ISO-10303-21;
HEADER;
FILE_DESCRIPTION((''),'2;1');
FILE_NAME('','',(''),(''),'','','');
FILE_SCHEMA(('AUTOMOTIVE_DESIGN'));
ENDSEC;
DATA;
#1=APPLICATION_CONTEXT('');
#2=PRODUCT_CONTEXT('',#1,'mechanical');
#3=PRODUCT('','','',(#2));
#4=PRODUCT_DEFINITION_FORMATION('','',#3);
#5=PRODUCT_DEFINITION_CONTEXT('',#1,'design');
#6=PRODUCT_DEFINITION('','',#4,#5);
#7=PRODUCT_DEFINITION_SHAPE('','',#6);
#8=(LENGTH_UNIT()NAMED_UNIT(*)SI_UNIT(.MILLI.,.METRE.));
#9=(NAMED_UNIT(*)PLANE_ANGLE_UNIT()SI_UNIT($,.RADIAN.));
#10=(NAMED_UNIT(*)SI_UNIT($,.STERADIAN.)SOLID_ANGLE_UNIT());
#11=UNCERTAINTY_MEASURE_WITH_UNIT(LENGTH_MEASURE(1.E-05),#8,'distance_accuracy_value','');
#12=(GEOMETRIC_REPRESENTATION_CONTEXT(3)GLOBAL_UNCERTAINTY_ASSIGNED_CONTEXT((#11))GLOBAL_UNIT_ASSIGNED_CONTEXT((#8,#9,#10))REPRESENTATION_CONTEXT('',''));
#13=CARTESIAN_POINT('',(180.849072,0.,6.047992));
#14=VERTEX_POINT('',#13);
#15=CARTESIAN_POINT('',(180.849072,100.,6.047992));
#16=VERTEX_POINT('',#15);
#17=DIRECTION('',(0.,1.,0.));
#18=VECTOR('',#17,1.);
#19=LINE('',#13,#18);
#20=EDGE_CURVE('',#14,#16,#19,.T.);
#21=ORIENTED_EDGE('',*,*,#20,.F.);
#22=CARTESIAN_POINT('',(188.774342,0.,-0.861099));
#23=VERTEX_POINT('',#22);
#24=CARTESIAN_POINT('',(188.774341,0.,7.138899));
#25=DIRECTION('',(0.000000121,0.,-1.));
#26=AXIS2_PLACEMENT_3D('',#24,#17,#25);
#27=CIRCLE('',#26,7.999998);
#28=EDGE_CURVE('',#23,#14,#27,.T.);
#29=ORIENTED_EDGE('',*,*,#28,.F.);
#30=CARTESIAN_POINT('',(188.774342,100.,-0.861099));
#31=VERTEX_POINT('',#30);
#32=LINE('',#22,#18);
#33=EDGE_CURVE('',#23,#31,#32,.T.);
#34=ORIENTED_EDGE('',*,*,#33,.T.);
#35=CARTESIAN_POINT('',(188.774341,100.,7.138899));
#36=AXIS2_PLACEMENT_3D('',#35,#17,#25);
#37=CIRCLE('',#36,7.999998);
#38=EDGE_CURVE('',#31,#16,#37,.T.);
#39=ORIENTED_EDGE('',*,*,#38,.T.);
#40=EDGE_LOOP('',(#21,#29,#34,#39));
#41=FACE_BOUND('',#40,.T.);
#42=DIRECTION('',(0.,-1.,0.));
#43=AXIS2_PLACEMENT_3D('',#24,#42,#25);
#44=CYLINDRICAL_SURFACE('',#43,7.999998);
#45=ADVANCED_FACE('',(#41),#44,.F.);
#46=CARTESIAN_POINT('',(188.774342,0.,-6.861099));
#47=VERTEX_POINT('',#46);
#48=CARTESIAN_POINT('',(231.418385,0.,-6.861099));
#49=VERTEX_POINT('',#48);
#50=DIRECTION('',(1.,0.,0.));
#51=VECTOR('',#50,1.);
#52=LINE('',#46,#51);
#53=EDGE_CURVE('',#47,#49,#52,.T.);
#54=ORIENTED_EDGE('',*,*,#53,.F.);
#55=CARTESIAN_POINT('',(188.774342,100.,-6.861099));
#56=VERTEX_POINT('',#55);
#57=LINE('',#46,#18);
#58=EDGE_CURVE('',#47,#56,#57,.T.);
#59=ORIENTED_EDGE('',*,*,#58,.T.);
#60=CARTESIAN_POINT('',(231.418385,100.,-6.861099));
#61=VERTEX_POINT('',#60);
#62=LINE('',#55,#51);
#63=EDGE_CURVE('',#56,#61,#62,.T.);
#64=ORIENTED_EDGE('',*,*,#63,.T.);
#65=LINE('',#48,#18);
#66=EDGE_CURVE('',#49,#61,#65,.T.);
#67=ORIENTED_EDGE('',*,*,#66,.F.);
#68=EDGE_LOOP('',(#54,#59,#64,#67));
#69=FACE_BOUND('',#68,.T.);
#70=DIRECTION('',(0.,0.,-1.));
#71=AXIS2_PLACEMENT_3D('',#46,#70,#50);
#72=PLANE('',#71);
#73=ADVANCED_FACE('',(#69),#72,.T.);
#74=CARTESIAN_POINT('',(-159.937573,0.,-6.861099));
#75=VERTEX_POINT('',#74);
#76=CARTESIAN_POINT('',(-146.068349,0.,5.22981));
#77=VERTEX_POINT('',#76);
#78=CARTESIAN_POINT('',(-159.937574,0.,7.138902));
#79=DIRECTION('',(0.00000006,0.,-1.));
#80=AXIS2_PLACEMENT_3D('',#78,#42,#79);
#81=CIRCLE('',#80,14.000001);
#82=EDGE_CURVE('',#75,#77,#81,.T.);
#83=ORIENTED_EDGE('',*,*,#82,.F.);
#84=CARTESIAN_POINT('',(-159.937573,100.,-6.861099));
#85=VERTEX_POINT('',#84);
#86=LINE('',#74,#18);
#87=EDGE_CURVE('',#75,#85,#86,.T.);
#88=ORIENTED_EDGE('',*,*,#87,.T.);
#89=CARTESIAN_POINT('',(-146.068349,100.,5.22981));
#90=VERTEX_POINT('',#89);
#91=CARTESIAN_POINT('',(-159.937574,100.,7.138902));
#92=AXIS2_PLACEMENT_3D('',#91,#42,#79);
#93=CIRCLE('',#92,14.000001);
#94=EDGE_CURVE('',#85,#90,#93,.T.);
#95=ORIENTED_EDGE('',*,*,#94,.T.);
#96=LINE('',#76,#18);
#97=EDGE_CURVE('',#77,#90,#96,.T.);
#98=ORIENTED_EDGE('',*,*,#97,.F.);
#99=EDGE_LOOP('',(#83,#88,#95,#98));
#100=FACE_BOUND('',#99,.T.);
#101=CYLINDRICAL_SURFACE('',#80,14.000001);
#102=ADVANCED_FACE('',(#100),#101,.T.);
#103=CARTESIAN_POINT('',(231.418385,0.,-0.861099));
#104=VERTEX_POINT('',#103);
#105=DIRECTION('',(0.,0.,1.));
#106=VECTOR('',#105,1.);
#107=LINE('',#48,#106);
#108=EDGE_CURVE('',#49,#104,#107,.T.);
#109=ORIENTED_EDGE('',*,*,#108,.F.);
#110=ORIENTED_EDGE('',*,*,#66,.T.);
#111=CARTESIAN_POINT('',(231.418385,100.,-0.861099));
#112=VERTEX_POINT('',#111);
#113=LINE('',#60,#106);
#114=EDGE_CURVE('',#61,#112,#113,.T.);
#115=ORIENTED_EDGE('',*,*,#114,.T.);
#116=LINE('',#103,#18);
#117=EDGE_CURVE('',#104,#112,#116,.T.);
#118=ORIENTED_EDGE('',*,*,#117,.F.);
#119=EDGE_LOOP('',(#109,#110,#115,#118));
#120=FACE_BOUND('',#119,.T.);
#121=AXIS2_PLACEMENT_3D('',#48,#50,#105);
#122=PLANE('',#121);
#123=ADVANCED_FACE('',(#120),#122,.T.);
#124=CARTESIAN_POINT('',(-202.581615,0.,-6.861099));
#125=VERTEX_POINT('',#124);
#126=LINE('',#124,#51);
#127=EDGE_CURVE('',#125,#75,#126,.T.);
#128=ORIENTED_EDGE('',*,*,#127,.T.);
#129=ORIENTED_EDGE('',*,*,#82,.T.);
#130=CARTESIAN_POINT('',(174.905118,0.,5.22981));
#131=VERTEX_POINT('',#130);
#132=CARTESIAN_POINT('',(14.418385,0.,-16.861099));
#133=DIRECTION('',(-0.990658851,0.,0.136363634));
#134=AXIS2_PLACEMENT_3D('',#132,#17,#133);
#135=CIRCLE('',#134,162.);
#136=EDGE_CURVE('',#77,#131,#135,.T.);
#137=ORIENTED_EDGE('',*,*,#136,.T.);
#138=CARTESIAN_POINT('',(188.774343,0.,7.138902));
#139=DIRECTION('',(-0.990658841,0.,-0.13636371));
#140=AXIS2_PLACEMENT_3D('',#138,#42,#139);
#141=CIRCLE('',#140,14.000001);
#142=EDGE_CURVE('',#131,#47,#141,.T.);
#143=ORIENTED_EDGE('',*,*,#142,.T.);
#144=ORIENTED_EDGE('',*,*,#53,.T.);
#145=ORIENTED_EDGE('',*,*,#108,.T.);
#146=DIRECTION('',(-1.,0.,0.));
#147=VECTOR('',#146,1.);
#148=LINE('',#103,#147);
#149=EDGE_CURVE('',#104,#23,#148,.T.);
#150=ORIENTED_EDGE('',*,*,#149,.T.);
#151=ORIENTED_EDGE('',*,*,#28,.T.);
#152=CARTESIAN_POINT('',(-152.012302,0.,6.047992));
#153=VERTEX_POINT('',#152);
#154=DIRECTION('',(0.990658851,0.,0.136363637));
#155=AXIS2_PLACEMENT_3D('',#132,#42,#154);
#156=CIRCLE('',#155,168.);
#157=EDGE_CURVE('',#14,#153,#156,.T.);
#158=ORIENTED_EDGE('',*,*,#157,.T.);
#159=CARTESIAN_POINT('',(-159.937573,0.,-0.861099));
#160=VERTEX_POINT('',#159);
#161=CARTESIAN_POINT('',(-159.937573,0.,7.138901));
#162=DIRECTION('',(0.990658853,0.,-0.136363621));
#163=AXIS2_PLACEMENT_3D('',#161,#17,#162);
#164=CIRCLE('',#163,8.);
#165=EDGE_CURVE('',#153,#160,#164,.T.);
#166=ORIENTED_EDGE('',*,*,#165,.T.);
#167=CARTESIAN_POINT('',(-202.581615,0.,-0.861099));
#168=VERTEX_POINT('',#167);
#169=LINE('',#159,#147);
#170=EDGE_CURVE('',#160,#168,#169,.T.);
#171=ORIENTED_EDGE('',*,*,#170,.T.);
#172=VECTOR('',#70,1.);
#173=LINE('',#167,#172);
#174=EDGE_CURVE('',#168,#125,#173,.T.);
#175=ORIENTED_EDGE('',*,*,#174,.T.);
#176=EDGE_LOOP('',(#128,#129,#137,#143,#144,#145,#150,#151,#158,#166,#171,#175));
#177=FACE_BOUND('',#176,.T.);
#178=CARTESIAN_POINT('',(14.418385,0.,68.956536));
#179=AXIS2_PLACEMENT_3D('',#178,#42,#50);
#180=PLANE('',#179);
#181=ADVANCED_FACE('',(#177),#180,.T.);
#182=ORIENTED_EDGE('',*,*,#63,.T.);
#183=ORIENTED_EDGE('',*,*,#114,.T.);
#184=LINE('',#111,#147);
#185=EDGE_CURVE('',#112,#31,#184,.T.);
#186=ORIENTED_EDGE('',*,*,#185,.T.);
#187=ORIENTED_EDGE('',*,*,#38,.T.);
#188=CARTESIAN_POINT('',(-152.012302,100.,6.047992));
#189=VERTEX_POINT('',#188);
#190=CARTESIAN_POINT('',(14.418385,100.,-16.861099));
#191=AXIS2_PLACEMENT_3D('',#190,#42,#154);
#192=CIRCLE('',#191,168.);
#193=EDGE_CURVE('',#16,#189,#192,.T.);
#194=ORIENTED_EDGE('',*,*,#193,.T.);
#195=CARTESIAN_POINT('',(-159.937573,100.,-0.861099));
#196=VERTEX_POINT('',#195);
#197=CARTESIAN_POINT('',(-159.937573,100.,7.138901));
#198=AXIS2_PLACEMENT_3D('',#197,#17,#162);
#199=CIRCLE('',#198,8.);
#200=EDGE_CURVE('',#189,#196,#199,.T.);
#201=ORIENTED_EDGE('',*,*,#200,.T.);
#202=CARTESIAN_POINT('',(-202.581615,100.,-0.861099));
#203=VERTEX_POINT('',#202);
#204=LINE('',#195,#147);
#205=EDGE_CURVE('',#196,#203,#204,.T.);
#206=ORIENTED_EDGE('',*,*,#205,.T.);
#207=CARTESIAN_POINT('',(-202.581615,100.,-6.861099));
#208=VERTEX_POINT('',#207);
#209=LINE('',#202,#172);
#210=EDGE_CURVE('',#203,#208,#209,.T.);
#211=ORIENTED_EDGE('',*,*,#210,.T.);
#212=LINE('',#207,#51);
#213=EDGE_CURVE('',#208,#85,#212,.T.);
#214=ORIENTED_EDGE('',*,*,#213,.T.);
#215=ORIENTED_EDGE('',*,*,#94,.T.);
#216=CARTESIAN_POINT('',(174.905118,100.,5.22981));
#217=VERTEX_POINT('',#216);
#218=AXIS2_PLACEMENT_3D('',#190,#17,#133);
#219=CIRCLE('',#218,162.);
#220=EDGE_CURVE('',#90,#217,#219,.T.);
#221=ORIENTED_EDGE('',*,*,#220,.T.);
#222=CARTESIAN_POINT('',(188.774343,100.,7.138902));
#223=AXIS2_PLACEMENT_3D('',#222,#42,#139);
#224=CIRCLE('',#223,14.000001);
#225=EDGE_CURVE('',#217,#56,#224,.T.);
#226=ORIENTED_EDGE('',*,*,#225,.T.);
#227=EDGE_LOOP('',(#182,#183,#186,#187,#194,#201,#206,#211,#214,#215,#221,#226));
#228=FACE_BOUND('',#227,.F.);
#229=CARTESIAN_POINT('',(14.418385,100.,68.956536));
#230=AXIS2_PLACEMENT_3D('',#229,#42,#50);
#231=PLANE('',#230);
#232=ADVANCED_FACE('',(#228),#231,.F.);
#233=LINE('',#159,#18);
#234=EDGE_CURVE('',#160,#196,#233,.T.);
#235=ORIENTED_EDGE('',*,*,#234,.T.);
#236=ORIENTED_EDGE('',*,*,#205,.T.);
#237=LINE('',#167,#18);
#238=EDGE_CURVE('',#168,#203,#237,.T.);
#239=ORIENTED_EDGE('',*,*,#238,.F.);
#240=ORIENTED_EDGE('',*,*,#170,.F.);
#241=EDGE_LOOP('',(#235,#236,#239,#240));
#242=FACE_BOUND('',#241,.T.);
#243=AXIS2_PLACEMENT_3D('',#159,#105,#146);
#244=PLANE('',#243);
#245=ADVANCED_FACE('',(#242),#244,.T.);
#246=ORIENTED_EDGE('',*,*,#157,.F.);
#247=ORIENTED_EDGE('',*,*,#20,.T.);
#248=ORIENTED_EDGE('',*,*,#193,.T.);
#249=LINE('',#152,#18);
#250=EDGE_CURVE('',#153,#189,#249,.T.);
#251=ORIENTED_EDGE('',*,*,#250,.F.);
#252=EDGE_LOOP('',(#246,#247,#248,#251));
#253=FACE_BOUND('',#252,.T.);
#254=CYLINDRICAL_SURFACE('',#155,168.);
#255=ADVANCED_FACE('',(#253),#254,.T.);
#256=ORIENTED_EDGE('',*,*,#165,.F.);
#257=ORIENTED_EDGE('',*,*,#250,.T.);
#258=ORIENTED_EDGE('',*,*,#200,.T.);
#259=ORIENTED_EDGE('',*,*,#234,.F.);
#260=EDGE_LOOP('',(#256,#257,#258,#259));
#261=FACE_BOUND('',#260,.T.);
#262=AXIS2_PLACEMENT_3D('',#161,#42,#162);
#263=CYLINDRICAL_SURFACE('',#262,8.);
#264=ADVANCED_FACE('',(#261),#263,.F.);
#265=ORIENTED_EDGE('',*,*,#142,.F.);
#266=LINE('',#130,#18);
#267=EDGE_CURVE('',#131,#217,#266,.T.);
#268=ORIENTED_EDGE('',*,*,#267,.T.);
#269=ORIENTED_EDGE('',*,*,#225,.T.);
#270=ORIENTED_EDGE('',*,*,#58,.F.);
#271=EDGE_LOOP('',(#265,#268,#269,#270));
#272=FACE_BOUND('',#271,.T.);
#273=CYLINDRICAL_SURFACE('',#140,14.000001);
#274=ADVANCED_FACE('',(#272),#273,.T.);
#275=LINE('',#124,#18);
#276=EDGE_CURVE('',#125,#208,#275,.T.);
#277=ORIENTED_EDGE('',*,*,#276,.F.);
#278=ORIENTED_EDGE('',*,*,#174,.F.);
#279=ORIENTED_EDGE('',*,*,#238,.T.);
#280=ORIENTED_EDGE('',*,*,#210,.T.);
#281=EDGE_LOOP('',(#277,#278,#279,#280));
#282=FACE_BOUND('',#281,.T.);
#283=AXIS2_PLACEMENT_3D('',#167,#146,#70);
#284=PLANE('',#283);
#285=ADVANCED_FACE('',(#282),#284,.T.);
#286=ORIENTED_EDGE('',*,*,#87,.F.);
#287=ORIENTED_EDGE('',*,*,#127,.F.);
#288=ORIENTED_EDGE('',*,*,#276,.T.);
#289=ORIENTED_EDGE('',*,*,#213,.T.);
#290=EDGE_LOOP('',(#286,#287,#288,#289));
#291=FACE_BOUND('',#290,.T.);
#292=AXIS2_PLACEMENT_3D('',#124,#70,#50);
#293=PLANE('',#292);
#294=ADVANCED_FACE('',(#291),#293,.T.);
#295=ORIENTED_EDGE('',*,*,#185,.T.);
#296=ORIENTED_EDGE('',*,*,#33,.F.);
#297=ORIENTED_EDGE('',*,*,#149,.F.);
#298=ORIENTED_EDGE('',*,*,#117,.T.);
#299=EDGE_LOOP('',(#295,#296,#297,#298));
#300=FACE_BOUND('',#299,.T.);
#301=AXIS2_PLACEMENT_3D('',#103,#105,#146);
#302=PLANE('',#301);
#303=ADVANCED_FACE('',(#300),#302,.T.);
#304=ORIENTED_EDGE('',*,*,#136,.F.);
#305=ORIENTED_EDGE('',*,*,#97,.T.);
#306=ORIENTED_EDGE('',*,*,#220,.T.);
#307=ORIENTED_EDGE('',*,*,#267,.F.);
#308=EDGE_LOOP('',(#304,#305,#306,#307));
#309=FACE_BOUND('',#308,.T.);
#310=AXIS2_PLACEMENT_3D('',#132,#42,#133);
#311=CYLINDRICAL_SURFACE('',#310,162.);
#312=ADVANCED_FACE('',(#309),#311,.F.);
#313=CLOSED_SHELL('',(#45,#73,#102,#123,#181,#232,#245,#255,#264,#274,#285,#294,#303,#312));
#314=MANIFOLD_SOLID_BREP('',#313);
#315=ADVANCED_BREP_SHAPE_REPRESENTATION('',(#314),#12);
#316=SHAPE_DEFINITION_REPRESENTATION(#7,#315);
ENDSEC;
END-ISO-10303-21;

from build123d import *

# Parameters (mm, degrees)
F1_DEPTH = 100


with BuildPart() as f1:
    # F0 (on Front) → F1 (new body)
    with BuildSketch(Plane.XZ):
        with BuildLine():
            ThreePointArc((-146.068349, 5.22981), (14.418385, 145.138901), (174.905118, 5.22981))
            ThreePointArc((174.905118, 5.22981), (179.57454, -3.413996), (188.774342, -6.861099))
            Line((188.774342, -6.861099), (231.418385, -6.861099))
            Line((231.418385, -6.861099), (231.418385, -0.861099))
            Line((231.418385, -0.861099), (188.774342, -0.861099))
            ThreePointArc((188.774342, -0.861099), (183.517312, 1.108674), (180.849072, 6.047992))
            ThreePointArc((180.849072, 6.047992), (14.418385, 151.138901), (-152.012302, 6.047992))
            ThreePointArc((-152.012302, 6.047992), (-154.680543, 1.108674), (-159.937573, -0.861099))
            Line((-159.937573, -0.861099), (-202.581615, -0.861099))
            Line((-202.581615, -0.861099), (-202.581615, -6.861099))
            Line((-202.581615, -6.861099), (-159.937573, -6.861099))
            ThreePointArc((-159.937573, -6.861099), (-150.737771, -3.413996), (-146.068349, 5.22981))
        make_face()
    extrude(amount=-F1_DEPTH)


solid = f1.part
